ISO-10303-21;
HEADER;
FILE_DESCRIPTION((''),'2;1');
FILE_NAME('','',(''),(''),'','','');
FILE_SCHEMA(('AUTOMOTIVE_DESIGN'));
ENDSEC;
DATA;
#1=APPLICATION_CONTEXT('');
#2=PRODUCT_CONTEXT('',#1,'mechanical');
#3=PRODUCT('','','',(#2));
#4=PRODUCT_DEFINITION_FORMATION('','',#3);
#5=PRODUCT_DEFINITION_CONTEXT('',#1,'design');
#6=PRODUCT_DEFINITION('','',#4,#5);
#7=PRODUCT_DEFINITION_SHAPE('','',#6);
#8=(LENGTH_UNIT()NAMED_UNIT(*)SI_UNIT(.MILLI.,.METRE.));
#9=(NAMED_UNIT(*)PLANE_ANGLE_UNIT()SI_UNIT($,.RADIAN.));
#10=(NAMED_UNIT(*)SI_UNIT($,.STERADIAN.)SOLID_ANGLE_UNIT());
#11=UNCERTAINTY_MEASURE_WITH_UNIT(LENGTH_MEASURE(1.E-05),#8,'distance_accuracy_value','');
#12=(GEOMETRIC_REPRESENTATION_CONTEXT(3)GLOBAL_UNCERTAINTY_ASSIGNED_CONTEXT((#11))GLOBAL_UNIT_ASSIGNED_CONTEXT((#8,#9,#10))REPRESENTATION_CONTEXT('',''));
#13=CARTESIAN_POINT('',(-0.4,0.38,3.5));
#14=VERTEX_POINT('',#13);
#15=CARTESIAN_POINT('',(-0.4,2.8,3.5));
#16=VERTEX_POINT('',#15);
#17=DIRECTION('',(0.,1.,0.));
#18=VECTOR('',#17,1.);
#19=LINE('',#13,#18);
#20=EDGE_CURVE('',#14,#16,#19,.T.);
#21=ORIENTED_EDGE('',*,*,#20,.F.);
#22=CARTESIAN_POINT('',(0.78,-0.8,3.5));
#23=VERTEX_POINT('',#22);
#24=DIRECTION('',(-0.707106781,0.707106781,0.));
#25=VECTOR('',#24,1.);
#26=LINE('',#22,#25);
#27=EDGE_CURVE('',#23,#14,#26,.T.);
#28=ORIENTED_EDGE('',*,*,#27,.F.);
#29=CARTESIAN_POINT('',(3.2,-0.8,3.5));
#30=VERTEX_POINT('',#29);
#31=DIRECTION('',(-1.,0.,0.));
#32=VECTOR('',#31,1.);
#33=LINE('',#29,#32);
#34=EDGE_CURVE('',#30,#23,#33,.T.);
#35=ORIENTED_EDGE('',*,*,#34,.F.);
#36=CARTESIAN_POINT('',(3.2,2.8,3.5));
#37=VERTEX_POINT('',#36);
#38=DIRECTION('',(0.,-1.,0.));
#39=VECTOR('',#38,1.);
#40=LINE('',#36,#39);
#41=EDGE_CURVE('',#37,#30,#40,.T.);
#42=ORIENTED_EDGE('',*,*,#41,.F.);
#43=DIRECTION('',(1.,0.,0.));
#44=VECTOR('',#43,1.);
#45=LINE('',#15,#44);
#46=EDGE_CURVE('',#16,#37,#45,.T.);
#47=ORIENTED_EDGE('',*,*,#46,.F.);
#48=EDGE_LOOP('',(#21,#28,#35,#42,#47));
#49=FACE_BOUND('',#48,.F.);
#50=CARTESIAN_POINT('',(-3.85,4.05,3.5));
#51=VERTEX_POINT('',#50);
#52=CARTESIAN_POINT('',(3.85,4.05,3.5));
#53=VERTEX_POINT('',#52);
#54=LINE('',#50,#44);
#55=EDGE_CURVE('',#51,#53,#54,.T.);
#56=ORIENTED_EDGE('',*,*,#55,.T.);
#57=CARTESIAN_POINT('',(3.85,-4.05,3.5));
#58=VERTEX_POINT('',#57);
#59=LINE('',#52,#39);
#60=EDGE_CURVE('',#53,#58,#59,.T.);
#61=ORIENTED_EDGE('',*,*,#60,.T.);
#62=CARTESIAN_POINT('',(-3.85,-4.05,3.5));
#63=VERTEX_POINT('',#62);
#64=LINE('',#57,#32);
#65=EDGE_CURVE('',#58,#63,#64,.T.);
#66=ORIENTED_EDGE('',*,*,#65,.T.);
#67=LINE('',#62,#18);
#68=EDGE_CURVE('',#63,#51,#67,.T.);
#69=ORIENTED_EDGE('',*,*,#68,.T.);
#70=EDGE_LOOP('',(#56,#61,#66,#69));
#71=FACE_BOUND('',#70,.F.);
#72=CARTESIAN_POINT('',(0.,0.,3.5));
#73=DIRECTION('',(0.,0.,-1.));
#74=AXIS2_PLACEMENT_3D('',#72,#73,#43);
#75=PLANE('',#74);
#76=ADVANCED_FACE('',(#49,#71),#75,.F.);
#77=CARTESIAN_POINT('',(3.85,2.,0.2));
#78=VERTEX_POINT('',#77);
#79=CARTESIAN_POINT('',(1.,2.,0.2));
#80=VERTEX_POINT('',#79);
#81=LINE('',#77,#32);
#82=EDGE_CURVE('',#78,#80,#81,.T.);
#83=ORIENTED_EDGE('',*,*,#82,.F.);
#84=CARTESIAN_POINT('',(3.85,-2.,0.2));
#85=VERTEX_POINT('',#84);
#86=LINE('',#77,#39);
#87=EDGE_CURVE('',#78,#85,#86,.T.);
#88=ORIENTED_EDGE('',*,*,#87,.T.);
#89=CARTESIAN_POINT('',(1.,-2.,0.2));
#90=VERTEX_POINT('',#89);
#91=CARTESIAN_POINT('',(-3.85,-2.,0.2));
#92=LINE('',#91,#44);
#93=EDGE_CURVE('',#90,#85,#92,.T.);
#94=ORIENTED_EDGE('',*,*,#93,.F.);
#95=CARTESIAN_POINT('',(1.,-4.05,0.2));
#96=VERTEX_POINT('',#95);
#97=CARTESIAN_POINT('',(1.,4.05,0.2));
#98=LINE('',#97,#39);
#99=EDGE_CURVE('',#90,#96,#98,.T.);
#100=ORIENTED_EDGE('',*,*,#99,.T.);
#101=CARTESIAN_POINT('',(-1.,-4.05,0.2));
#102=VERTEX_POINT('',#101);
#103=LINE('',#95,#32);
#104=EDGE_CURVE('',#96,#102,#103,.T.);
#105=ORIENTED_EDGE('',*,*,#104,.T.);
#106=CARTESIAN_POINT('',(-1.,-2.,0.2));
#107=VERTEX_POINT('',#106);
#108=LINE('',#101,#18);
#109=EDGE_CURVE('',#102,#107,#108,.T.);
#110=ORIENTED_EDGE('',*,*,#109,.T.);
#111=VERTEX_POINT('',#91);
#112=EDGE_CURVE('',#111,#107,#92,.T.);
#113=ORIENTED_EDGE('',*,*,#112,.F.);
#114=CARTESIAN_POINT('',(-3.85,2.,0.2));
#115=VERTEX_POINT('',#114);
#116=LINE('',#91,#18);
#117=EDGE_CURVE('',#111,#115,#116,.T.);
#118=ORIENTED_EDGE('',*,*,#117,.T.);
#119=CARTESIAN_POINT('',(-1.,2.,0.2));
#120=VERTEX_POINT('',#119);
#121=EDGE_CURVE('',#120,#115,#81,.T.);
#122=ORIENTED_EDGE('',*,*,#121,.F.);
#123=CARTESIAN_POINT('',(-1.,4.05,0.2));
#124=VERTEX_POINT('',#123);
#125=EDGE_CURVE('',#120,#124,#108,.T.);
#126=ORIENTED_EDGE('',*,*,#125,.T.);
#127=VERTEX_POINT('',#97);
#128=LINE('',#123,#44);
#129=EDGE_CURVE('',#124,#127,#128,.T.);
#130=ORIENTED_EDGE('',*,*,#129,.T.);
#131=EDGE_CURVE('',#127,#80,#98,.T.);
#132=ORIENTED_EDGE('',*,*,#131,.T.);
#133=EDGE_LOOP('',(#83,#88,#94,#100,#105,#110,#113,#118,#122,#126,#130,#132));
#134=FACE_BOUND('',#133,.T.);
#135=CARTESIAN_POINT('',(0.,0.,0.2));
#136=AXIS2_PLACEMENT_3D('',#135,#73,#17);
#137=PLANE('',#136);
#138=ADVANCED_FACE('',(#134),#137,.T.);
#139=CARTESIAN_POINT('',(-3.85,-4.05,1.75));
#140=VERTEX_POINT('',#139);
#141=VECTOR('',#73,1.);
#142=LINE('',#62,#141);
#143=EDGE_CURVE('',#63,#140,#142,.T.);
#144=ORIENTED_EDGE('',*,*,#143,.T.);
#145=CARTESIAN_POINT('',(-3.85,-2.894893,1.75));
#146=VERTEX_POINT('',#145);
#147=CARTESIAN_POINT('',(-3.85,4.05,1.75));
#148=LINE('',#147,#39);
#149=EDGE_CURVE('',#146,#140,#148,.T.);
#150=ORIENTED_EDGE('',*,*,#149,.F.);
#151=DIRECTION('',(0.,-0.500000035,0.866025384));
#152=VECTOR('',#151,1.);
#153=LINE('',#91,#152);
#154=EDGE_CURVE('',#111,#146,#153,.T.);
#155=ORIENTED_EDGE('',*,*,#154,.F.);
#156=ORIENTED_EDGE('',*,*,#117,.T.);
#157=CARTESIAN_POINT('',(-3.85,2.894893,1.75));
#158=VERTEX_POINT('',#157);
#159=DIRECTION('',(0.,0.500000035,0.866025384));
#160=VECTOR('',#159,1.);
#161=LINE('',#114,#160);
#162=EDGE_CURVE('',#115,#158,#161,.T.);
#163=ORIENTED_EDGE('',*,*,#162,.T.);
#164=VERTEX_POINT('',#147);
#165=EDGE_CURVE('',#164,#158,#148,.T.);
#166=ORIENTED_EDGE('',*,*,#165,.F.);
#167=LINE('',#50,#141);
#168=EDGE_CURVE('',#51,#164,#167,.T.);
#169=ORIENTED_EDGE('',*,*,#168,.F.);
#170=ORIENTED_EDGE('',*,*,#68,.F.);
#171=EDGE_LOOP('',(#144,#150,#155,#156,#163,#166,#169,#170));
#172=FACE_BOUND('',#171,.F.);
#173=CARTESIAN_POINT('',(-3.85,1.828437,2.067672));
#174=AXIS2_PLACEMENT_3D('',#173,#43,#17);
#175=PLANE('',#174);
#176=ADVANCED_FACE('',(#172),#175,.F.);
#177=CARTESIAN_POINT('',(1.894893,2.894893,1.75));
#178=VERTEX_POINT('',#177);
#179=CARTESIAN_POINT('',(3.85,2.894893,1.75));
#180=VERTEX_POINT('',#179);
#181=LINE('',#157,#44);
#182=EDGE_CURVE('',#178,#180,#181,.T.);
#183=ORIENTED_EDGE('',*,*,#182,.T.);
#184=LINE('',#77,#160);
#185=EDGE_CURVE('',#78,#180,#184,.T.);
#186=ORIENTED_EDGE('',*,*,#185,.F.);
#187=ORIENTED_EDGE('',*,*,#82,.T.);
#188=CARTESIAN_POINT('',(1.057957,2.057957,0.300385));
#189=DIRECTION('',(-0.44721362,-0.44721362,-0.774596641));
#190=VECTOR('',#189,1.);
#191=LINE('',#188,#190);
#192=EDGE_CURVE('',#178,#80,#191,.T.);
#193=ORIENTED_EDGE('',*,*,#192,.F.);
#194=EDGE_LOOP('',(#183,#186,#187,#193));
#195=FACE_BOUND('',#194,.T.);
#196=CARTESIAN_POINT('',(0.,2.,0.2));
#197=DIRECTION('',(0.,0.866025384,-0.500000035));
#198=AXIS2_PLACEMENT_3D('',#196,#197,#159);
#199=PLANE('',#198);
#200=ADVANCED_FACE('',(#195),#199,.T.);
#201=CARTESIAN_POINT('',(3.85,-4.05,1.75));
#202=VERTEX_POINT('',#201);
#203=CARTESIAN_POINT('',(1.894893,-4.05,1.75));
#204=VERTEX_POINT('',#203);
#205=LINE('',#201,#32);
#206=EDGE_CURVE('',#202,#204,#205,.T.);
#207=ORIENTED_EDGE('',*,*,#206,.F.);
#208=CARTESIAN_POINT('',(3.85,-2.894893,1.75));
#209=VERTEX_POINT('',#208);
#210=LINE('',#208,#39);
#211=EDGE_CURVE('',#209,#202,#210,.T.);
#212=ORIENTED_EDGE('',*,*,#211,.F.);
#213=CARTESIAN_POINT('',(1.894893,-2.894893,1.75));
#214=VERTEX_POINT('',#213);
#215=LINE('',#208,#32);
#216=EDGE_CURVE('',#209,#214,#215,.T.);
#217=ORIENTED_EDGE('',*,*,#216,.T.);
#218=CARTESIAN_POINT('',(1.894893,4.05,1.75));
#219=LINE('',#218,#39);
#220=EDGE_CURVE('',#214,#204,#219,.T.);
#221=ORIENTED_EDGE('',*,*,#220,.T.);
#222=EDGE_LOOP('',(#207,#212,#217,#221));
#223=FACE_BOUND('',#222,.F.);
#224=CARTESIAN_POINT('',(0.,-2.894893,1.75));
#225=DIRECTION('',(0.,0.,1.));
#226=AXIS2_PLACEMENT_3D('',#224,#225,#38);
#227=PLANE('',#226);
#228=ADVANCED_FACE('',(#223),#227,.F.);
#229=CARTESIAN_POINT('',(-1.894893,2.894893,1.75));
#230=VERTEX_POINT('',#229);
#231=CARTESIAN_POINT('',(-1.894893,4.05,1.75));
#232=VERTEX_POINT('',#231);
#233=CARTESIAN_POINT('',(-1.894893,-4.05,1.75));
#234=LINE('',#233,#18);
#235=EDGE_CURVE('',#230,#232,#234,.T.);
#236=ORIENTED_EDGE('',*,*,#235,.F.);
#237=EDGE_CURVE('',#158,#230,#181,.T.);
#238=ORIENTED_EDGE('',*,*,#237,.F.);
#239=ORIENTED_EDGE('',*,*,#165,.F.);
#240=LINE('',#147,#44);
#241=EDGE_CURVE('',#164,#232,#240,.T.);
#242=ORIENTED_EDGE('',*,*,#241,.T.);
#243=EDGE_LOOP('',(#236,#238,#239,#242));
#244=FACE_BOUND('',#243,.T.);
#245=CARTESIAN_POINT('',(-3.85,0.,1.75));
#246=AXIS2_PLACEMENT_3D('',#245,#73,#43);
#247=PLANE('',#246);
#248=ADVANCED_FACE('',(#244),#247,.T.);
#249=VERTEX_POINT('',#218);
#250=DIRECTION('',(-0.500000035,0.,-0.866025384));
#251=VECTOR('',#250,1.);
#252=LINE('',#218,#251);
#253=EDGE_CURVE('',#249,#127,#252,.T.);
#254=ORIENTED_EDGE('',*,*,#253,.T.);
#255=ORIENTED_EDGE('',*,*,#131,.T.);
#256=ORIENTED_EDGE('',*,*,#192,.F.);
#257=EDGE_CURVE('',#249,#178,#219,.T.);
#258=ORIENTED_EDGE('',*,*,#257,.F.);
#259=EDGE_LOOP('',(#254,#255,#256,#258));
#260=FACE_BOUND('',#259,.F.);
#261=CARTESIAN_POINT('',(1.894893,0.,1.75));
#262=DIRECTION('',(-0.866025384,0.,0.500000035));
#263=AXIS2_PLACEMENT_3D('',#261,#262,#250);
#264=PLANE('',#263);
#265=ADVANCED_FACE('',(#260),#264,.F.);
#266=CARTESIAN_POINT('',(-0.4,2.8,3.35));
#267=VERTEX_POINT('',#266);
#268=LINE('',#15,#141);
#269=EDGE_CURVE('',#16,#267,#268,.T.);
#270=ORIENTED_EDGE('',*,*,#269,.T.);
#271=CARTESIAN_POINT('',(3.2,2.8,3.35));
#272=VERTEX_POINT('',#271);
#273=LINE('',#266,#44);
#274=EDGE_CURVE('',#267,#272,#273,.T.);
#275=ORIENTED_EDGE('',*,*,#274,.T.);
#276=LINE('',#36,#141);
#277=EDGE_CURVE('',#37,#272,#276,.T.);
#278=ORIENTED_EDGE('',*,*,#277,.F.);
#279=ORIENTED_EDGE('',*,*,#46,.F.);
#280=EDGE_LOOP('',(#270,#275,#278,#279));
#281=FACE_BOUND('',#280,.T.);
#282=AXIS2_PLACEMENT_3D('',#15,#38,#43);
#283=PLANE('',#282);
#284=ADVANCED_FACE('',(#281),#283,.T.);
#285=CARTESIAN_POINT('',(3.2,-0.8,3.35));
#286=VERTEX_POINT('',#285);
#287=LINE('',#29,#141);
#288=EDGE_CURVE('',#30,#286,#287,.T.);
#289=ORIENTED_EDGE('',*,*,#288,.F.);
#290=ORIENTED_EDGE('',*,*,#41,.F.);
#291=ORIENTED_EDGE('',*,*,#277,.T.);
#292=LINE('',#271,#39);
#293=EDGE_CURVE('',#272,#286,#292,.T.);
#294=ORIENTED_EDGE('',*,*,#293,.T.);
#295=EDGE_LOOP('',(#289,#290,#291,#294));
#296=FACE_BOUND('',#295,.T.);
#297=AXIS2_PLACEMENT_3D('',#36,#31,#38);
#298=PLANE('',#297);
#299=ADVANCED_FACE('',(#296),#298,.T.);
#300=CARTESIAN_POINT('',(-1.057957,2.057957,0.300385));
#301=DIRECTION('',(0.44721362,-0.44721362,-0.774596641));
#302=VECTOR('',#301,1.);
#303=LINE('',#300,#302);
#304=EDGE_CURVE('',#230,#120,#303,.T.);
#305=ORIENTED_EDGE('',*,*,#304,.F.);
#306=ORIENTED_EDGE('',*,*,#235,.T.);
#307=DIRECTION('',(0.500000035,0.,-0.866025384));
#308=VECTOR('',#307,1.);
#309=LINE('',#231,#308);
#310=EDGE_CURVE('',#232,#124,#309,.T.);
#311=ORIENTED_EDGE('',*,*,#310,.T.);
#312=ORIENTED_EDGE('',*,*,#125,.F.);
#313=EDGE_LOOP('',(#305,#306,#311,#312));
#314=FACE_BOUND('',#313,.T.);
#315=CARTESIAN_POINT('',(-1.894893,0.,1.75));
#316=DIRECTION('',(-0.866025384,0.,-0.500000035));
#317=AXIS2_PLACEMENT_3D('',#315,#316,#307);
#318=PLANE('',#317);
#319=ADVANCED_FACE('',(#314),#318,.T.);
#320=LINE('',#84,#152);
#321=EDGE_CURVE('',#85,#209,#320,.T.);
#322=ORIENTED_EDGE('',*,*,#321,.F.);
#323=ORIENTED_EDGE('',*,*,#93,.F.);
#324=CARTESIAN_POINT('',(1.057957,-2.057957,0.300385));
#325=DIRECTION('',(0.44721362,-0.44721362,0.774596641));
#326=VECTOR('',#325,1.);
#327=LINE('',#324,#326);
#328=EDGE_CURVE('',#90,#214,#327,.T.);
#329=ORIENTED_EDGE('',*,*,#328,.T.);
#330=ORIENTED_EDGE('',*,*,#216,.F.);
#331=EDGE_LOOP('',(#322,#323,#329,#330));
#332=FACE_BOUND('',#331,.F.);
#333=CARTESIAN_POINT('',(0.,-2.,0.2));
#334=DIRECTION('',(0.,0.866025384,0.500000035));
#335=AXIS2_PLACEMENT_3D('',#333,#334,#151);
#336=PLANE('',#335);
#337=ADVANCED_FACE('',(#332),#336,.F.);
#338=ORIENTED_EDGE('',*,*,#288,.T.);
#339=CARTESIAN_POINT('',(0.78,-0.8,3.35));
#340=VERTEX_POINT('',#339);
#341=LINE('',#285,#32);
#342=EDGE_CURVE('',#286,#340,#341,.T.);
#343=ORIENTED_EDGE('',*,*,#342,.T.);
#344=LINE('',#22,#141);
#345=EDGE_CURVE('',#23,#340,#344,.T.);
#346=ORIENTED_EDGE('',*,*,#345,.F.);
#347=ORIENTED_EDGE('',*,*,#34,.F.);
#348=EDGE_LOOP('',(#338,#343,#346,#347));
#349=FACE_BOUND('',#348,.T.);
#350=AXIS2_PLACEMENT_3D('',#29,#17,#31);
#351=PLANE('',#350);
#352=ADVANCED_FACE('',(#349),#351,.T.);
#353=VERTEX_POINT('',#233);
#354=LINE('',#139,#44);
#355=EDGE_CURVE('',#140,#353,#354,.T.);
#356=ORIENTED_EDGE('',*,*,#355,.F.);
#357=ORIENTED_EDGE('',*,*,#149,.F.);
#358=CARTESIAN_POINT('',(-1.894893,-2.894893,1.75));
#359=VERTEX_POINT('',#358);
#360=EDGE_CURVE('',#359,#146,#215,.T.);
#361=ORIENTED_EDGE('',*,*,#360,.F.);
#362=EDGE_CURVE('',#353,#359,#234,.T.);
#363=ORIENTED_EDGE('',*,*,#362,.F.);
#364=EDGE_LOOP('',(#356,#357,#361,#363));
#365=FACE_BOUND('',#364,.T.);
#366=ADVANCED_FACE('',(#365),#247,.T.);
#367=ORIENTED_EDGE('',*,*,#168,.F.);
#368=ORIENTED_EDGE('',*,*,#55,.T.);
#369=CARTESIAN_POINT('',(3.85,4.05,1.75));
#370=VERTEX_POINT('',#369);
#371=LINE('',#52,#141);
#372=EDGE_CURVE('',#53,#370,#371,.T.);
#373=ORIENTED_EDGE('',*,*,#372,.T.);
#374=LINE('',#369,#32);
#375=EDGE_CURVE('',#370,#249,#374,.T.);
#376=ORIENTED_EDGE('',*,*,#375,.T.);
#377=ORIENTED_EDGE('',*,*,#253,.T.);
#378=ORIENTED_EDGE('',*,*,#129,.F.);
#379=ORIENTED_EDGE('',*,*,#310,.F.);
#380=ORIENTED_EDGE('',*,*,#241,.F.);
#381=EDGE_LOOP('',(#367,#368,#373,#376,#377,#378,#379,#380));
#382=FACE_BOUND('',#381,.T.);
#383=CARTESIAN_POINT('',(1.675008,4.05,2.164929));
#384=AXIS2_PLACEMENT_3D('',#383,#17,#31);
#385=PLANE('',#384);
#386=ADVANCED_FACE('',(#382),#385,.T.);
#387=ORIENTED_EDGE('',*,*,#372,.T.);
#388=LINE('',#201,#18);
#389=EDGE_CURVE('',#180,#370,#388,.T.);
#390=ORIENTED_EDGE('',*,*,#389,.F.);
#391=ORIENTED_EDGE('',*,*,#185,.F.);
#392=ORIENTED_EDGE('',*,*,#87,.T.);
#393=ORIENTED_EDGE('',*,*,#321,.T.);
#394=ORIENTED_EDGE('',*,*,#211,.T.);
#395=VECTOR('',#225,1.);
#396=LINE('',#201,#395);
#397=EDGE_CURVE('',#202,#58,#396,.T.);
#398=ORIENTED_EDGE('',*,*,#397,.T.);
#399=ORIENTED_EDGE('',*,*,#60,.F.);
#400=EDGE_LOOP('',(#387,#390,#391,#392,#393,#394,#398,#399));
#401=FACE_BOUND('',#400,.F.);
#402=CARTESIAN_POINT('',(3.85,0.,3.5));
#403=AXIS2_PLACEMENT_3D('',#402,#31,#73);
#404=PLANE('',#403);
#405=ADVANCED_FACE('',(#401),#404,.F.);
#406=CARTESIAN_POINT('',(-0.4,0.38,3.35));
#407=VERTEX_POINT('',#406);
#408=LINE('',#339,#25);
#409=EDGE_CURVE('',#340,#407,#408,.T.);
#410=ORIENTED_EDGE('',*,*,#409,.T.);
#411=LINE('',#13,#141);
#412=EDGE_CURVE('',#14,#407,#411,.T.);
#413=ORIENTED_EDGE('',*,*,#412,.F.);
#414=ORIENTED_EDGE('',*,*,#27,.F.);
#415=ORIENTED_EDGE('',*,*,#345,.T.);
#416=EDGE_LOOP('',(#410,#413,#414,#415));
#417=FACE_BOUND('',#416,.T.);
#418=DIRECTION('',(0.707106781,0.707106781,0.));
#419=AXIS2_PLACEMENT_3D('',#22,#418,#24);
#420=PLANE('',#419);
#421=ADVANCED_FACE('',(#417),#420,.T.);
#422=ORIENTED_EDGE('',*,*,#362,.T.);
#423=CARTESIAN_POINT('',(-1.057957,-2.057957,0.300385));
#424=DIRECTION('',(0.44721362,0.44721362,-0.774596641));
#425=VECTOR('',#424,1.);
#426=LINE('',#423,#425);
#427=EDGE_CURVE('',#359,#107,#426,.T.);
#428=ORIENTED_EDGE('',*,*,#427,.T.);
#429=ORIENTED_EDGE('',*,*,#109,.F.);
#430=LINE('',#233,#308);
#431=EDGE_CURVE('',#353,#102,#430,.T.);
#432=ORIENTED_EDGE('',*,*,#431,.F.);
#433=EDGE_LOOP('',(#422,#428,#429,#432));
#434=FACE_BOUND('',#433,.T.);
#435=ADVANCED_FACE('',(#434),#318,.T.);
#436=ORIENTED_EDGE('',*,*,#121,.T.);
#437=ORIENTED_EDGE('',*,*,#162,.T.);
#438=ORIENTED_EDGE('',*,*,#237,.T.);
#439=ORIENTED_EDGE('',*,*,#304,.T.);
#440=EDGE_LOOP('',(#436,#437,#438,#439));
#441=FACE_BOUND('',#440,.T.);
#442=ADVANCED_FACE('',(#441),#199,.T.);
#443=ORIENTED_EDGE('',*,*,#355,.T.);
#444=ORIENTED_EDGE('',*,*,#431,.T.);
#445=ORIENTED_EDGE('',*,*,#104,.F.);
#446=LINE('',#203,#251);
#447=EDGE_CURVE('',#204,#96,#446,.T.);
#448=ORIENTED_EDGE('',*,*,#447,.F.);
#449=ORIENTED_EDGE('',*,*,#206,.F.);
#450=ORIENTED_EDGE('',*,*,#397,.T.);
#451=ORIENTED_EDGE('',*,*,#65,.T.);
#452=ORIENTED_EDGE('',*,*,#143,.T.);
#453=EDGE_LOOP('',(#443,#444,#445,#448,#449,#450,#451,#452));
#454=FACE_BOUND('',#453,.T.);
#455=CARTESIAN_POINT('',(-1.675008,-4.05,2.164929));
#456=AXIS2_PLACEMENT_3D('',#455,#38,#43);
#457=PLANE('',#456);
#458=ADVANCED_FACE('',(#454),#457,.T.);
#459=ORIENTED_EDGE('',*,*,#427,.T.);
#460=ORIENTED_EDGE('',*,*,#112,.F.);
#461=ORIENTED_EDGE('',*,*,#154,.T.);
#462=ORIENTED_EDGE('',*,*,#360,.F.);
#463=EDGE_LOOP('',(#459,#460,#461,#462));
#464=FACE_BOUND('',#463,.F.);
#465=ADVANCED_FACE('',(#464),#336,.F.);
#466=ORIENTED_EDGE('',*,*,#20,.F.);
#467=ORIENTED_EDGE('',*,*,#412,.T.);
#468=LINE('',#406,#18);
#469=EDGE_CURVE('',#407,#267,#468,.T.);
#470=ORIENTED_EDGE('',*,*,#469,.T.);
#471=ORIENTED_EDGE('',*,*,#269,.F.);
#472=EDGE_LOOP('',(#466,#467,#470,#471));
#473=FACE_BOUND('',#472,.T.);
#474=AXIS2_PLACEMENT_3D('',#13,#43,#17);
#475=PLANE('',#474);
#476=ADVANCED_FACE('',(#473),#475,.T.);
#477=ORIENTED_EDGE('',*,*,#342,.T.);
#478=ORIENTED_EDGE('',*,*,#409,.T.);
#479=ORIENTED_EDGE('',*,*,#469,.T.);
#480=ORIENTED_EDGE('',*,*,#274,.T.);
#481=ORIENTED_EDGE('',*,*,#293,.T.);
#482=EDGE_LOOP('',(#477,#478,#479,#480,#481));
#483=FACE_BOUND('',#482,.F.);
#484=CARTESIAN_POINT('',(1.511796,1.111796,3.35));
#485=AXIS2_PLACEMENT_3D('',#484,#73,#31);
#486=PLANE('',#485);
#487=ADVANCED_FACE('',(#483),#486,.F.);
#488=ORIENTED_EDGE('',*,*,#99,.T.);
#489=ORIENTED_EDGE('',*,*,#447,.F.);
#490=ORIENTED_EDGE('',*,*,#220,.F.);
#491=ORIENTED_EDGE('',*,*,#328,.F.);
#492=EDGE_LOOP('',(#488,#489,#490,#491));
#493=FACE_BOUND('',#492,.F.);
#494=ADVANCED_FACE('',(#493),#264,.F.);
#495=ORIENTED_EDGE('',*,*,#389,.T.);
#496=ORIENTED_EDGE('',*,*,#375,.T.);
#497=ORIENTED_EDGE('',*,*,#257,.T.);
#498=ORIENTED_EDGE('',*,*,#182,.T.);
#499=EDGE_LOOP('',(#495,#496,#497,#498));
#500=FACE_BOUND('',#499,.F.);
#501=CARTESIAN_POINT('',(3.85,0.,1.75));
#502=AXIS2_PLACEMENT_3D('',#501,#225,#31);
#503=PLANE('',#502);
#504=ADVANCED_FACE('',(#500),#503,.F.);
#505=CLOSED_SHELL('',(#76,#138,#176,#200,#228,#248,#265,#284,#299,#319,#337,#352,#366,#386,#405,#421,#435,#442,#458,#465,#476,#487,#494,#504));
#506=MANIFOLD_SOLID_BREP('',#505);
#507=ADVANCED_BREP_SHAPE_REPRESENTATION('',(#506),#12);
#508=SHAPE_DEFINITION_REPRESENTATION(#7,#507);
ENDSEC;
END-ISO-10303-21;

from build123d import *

# Parameters (mm, degrees)
PAD_DEPTH    = 4.05
PAD001_DEPTH = 3.85
PAD002_DEPTH = 4.05
PAD003_DEPTH = 3.85
POCKET_DEPTH = 0.15


with BuildPart() as part:
    # MirroredSketch001 → Pad (new body, symmetric)
    with BuildSketch(Plane.XZ):
        Polygon((0, 0.2), (0, 3.5), (-3.85, 3.5), (-3.85, 1.75), (-1.894893, 1.75), (-1, 0.2), align=None)
    extrude(amount=PAD_DEPTH, both=True)

    # MirroredSketch → Pad001 (join, symmetric)
    with BuildSketch(Plane.YZ):
        Polygon((-2, 0.2), (-2.894893, 1.75), (-4.05, 1.75), (-4.05, 3.5), (0, 3.5), (0, 0.2), align=None)
    extrude(amount=PAD001_DEPTH, both=True)

    # Sketch001 → Pad002 (join, symmetric)
    with BuildSketch(Plane.XZ):
        Polygon((0, 0.2), (0, 3.5), (3.85, 3.5), (3.85, 1.75), (1.894893, 1.75), (1, 0.2), align=None)
    extrude(amount=PAD002_DEPTH, both=True)

    # Sketch → Pad003 (join, symmetric)
    with BuildSketch(Plane.YZ):
        Polygon((2, 0.2), (2.894893, 1.75), (4.05, 1.75), (4.05, 3.5), (0, 3.5), (0, 0.2), align=None)
    extrude(amount=PAD003_DEPTH, both=True)

    # Sketch002 (on Face20 of Pad003) → Pocket (cut)
    with BuildSketch(Plane.XY.offset(3.5)):
        Polygon((-0.4, 2.8), (3.2, 2.8), (3.2, -0.8), (0.78, -0.8), (-0.4, 0.38), align=None)
    extrude(amount=-POCKET_DEPTH, mode=Mode.SUBTRACT)


solid = part.part
